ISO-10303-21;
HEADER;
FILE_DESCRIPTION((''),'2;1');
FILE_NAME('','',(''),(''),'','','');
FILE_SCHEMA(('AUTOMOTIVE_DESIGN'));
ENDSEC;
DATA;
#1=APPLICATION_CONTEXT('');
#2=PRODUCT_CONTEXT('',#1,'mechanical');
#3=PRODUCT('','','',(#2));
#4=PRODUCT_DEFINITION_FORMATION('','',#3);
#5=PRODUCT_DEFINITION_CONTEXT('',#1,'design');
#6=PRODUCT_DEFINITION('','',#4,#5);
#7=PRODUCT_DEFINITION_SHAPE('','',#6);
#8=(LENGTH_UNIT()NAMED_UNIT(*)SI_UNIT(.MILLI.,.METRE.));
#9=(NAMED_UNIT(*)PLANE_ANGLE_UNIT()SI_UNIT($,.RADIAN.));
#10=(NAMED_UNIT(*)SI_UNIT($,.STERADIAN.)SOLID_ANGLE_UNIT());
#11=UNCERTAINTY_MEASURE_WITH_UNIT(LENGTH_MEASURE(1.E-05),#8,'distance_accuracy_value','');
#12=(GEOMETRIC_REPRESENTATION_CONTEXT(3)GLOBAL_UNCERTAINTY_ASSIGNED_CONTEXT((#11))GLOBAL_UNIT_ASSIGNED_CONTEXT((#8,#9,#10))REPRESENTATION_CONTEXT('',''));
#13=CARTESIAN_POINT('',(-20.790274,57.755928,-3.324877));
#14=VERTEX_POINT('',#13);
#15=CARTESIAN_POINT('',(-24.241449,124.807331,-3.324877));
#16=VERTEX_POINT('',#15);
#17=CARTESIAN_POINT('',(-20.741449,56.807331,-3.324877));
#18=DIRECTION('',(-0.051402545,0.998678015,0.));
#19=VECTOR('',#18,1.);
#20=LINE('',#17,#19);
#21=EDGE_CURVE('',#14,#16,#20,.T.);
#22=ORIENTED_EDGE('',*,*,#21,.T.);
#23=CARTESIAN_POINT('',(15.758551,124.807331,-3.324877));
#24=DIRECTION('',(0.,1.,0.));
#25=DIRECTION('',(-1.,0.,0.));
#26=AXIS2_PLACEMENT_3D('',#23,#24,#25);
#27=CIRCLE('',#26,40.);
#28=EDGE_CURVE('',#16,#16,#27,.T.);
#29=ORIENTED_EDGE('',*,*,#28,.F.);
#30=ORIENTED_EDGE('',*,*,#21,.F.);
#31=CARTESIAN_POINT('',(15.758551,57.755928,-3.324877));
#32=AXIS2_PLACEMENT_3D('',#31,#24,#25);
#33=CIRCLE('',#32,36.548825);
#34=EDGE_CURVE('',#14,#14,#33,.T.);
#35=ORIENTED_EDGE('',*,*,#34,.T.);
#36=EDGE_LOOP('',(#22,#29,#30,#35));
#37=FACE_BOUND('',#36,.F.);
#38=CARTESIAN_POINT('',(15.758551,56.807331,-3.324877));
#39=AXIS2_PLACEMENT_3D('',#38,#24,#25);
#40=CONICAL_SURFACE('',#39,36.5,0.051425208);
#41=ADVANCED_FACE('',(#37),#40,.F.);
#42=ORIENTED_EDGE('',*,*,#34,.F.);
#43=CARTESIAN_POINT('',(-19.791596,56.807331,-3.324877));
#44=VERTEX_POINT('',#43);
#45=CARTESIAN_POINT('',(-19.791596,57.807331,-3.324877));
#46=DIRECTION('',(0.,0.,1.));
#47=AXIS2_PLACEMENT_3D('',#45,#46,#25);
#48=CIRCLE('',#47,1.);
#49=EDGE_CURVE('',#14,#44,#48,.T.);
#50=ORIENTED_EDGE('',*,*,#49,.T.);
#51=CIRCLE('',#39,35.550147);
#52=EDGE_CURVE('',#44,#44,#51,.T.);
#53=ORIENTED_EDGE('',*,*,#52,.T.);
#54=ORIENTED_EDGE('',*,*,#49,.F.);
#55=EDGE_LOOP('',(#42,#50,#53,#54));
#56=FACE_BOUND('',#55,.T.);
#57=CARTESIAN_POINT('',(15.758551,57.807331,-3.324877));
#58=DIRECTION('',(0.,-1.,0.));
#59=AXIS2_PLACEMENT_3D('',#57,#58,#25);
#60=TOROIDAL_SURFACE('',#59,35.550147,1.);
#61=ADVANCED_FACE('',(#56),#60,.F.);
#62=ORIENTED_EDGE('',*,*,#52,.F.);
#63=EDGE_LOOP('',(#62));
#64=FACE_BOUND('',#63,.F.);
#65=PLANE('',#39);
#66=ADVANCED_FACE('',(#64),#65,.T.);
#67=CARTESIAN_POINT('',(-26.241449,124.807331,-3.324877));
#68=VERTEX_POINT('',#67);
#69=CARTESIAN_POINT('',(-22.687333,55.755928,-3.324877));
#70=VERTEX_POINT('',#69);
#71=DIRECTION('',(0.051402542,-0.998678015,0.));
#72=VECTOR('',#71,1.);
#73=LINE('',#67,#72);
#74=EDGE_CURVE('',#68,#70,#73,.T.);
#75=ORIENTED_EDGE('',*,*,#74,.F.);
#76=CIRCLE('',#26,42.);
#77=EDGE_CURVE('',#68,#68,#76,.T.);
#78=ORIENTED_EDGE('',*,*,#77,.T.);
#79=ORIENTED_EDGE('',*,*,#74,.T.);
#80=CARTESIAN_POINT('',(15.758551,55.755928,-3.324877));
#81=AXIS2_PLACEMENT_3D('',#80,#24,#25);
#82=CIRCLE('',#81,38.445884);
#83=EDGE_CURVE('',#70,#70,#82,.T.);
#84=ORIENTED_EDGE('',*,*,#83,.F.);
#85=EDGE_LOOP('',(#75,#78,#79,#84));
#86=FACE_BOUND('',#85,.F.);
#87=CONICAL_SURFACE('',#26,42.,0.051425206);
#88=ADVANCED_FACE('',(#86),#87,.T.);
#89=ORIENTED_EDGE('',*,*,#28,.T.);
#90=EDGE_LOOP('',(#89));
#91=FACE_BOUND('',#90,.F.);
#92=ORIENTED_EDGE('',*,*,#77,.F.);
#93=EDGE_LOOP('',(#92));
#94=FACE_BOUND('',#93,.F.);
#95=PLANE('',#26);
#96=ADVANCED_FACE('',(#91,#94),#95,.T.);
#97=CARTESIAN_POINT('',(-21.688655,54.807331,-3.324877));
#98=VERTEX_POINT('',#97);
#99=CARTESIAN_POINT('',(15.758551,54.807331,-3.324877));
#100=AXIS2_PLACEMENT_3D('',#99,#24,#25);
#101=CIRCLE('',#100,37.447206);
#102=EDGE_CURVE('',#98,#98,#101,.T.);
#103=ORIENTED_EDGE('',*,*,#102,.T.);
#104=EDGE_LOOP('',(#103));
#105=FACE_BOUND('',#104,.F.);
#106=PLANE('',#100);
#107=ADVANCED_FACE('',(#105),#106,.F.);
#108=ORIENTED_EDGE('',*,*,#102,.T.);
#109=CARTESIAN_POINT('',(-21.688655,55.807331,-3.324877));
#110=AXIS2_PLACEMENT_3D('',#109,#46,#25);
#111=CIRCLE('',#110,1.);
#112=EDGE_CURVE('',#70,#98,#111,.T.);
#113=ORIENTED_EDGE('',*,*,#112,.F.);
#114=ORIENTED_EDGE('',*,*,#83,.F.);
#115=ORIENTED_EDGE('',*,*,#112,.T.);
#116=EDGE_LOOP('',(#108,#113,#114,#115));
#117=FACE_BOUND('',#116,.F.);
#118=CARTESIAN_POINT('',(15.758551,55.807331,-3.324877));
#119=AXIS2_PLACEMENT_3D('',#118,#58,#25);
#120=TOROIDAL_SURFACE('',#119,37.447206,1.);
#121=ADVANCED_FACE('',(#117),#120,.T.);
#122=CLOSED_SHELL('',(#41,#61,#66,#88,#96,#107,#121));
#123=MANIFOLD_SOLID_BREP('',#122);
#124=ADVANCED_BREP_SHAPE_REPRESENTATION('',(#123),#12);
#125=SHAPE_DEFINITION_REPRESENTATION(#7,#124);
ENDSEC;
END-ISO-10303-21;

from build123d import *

# Parameters (mm, degrees)
FILLET_R    = 1
FILLET001_R = 1


with BuildPart() as part:
    # Sketch → Revolution (revolve)
    with BuildSketch(Plane.XY):
        Polygon((0, 0), (-36.5, 0), (-40, 68), (-42, 68), (-38.397059, -2), (0, -2), align=None)
    revolve(axis=Axis((0, 0, 0), (0, 1, 0)))

    # Fillet
    fillet_edges = [part.edges().sort_by_distance(p)[0] for p in [
        (38.397059, -2, 0),
    ]]
    fillet(fillet_edges, radius=FILLET_R)

    # Fillet001
    fillet001_edges = [part.edges().sort_by_distance(p)[0] for p in [
        (36.5, 0, 0),
    ]]
    fillet(fillet001_edges, radius=FILLET001_R)


with BuildPart() as part_1:
    # Body001 placement: moved
    add(part.part.moved(Location((15.758551, 56.807331, -3.324877))))


solid = part_1.part
